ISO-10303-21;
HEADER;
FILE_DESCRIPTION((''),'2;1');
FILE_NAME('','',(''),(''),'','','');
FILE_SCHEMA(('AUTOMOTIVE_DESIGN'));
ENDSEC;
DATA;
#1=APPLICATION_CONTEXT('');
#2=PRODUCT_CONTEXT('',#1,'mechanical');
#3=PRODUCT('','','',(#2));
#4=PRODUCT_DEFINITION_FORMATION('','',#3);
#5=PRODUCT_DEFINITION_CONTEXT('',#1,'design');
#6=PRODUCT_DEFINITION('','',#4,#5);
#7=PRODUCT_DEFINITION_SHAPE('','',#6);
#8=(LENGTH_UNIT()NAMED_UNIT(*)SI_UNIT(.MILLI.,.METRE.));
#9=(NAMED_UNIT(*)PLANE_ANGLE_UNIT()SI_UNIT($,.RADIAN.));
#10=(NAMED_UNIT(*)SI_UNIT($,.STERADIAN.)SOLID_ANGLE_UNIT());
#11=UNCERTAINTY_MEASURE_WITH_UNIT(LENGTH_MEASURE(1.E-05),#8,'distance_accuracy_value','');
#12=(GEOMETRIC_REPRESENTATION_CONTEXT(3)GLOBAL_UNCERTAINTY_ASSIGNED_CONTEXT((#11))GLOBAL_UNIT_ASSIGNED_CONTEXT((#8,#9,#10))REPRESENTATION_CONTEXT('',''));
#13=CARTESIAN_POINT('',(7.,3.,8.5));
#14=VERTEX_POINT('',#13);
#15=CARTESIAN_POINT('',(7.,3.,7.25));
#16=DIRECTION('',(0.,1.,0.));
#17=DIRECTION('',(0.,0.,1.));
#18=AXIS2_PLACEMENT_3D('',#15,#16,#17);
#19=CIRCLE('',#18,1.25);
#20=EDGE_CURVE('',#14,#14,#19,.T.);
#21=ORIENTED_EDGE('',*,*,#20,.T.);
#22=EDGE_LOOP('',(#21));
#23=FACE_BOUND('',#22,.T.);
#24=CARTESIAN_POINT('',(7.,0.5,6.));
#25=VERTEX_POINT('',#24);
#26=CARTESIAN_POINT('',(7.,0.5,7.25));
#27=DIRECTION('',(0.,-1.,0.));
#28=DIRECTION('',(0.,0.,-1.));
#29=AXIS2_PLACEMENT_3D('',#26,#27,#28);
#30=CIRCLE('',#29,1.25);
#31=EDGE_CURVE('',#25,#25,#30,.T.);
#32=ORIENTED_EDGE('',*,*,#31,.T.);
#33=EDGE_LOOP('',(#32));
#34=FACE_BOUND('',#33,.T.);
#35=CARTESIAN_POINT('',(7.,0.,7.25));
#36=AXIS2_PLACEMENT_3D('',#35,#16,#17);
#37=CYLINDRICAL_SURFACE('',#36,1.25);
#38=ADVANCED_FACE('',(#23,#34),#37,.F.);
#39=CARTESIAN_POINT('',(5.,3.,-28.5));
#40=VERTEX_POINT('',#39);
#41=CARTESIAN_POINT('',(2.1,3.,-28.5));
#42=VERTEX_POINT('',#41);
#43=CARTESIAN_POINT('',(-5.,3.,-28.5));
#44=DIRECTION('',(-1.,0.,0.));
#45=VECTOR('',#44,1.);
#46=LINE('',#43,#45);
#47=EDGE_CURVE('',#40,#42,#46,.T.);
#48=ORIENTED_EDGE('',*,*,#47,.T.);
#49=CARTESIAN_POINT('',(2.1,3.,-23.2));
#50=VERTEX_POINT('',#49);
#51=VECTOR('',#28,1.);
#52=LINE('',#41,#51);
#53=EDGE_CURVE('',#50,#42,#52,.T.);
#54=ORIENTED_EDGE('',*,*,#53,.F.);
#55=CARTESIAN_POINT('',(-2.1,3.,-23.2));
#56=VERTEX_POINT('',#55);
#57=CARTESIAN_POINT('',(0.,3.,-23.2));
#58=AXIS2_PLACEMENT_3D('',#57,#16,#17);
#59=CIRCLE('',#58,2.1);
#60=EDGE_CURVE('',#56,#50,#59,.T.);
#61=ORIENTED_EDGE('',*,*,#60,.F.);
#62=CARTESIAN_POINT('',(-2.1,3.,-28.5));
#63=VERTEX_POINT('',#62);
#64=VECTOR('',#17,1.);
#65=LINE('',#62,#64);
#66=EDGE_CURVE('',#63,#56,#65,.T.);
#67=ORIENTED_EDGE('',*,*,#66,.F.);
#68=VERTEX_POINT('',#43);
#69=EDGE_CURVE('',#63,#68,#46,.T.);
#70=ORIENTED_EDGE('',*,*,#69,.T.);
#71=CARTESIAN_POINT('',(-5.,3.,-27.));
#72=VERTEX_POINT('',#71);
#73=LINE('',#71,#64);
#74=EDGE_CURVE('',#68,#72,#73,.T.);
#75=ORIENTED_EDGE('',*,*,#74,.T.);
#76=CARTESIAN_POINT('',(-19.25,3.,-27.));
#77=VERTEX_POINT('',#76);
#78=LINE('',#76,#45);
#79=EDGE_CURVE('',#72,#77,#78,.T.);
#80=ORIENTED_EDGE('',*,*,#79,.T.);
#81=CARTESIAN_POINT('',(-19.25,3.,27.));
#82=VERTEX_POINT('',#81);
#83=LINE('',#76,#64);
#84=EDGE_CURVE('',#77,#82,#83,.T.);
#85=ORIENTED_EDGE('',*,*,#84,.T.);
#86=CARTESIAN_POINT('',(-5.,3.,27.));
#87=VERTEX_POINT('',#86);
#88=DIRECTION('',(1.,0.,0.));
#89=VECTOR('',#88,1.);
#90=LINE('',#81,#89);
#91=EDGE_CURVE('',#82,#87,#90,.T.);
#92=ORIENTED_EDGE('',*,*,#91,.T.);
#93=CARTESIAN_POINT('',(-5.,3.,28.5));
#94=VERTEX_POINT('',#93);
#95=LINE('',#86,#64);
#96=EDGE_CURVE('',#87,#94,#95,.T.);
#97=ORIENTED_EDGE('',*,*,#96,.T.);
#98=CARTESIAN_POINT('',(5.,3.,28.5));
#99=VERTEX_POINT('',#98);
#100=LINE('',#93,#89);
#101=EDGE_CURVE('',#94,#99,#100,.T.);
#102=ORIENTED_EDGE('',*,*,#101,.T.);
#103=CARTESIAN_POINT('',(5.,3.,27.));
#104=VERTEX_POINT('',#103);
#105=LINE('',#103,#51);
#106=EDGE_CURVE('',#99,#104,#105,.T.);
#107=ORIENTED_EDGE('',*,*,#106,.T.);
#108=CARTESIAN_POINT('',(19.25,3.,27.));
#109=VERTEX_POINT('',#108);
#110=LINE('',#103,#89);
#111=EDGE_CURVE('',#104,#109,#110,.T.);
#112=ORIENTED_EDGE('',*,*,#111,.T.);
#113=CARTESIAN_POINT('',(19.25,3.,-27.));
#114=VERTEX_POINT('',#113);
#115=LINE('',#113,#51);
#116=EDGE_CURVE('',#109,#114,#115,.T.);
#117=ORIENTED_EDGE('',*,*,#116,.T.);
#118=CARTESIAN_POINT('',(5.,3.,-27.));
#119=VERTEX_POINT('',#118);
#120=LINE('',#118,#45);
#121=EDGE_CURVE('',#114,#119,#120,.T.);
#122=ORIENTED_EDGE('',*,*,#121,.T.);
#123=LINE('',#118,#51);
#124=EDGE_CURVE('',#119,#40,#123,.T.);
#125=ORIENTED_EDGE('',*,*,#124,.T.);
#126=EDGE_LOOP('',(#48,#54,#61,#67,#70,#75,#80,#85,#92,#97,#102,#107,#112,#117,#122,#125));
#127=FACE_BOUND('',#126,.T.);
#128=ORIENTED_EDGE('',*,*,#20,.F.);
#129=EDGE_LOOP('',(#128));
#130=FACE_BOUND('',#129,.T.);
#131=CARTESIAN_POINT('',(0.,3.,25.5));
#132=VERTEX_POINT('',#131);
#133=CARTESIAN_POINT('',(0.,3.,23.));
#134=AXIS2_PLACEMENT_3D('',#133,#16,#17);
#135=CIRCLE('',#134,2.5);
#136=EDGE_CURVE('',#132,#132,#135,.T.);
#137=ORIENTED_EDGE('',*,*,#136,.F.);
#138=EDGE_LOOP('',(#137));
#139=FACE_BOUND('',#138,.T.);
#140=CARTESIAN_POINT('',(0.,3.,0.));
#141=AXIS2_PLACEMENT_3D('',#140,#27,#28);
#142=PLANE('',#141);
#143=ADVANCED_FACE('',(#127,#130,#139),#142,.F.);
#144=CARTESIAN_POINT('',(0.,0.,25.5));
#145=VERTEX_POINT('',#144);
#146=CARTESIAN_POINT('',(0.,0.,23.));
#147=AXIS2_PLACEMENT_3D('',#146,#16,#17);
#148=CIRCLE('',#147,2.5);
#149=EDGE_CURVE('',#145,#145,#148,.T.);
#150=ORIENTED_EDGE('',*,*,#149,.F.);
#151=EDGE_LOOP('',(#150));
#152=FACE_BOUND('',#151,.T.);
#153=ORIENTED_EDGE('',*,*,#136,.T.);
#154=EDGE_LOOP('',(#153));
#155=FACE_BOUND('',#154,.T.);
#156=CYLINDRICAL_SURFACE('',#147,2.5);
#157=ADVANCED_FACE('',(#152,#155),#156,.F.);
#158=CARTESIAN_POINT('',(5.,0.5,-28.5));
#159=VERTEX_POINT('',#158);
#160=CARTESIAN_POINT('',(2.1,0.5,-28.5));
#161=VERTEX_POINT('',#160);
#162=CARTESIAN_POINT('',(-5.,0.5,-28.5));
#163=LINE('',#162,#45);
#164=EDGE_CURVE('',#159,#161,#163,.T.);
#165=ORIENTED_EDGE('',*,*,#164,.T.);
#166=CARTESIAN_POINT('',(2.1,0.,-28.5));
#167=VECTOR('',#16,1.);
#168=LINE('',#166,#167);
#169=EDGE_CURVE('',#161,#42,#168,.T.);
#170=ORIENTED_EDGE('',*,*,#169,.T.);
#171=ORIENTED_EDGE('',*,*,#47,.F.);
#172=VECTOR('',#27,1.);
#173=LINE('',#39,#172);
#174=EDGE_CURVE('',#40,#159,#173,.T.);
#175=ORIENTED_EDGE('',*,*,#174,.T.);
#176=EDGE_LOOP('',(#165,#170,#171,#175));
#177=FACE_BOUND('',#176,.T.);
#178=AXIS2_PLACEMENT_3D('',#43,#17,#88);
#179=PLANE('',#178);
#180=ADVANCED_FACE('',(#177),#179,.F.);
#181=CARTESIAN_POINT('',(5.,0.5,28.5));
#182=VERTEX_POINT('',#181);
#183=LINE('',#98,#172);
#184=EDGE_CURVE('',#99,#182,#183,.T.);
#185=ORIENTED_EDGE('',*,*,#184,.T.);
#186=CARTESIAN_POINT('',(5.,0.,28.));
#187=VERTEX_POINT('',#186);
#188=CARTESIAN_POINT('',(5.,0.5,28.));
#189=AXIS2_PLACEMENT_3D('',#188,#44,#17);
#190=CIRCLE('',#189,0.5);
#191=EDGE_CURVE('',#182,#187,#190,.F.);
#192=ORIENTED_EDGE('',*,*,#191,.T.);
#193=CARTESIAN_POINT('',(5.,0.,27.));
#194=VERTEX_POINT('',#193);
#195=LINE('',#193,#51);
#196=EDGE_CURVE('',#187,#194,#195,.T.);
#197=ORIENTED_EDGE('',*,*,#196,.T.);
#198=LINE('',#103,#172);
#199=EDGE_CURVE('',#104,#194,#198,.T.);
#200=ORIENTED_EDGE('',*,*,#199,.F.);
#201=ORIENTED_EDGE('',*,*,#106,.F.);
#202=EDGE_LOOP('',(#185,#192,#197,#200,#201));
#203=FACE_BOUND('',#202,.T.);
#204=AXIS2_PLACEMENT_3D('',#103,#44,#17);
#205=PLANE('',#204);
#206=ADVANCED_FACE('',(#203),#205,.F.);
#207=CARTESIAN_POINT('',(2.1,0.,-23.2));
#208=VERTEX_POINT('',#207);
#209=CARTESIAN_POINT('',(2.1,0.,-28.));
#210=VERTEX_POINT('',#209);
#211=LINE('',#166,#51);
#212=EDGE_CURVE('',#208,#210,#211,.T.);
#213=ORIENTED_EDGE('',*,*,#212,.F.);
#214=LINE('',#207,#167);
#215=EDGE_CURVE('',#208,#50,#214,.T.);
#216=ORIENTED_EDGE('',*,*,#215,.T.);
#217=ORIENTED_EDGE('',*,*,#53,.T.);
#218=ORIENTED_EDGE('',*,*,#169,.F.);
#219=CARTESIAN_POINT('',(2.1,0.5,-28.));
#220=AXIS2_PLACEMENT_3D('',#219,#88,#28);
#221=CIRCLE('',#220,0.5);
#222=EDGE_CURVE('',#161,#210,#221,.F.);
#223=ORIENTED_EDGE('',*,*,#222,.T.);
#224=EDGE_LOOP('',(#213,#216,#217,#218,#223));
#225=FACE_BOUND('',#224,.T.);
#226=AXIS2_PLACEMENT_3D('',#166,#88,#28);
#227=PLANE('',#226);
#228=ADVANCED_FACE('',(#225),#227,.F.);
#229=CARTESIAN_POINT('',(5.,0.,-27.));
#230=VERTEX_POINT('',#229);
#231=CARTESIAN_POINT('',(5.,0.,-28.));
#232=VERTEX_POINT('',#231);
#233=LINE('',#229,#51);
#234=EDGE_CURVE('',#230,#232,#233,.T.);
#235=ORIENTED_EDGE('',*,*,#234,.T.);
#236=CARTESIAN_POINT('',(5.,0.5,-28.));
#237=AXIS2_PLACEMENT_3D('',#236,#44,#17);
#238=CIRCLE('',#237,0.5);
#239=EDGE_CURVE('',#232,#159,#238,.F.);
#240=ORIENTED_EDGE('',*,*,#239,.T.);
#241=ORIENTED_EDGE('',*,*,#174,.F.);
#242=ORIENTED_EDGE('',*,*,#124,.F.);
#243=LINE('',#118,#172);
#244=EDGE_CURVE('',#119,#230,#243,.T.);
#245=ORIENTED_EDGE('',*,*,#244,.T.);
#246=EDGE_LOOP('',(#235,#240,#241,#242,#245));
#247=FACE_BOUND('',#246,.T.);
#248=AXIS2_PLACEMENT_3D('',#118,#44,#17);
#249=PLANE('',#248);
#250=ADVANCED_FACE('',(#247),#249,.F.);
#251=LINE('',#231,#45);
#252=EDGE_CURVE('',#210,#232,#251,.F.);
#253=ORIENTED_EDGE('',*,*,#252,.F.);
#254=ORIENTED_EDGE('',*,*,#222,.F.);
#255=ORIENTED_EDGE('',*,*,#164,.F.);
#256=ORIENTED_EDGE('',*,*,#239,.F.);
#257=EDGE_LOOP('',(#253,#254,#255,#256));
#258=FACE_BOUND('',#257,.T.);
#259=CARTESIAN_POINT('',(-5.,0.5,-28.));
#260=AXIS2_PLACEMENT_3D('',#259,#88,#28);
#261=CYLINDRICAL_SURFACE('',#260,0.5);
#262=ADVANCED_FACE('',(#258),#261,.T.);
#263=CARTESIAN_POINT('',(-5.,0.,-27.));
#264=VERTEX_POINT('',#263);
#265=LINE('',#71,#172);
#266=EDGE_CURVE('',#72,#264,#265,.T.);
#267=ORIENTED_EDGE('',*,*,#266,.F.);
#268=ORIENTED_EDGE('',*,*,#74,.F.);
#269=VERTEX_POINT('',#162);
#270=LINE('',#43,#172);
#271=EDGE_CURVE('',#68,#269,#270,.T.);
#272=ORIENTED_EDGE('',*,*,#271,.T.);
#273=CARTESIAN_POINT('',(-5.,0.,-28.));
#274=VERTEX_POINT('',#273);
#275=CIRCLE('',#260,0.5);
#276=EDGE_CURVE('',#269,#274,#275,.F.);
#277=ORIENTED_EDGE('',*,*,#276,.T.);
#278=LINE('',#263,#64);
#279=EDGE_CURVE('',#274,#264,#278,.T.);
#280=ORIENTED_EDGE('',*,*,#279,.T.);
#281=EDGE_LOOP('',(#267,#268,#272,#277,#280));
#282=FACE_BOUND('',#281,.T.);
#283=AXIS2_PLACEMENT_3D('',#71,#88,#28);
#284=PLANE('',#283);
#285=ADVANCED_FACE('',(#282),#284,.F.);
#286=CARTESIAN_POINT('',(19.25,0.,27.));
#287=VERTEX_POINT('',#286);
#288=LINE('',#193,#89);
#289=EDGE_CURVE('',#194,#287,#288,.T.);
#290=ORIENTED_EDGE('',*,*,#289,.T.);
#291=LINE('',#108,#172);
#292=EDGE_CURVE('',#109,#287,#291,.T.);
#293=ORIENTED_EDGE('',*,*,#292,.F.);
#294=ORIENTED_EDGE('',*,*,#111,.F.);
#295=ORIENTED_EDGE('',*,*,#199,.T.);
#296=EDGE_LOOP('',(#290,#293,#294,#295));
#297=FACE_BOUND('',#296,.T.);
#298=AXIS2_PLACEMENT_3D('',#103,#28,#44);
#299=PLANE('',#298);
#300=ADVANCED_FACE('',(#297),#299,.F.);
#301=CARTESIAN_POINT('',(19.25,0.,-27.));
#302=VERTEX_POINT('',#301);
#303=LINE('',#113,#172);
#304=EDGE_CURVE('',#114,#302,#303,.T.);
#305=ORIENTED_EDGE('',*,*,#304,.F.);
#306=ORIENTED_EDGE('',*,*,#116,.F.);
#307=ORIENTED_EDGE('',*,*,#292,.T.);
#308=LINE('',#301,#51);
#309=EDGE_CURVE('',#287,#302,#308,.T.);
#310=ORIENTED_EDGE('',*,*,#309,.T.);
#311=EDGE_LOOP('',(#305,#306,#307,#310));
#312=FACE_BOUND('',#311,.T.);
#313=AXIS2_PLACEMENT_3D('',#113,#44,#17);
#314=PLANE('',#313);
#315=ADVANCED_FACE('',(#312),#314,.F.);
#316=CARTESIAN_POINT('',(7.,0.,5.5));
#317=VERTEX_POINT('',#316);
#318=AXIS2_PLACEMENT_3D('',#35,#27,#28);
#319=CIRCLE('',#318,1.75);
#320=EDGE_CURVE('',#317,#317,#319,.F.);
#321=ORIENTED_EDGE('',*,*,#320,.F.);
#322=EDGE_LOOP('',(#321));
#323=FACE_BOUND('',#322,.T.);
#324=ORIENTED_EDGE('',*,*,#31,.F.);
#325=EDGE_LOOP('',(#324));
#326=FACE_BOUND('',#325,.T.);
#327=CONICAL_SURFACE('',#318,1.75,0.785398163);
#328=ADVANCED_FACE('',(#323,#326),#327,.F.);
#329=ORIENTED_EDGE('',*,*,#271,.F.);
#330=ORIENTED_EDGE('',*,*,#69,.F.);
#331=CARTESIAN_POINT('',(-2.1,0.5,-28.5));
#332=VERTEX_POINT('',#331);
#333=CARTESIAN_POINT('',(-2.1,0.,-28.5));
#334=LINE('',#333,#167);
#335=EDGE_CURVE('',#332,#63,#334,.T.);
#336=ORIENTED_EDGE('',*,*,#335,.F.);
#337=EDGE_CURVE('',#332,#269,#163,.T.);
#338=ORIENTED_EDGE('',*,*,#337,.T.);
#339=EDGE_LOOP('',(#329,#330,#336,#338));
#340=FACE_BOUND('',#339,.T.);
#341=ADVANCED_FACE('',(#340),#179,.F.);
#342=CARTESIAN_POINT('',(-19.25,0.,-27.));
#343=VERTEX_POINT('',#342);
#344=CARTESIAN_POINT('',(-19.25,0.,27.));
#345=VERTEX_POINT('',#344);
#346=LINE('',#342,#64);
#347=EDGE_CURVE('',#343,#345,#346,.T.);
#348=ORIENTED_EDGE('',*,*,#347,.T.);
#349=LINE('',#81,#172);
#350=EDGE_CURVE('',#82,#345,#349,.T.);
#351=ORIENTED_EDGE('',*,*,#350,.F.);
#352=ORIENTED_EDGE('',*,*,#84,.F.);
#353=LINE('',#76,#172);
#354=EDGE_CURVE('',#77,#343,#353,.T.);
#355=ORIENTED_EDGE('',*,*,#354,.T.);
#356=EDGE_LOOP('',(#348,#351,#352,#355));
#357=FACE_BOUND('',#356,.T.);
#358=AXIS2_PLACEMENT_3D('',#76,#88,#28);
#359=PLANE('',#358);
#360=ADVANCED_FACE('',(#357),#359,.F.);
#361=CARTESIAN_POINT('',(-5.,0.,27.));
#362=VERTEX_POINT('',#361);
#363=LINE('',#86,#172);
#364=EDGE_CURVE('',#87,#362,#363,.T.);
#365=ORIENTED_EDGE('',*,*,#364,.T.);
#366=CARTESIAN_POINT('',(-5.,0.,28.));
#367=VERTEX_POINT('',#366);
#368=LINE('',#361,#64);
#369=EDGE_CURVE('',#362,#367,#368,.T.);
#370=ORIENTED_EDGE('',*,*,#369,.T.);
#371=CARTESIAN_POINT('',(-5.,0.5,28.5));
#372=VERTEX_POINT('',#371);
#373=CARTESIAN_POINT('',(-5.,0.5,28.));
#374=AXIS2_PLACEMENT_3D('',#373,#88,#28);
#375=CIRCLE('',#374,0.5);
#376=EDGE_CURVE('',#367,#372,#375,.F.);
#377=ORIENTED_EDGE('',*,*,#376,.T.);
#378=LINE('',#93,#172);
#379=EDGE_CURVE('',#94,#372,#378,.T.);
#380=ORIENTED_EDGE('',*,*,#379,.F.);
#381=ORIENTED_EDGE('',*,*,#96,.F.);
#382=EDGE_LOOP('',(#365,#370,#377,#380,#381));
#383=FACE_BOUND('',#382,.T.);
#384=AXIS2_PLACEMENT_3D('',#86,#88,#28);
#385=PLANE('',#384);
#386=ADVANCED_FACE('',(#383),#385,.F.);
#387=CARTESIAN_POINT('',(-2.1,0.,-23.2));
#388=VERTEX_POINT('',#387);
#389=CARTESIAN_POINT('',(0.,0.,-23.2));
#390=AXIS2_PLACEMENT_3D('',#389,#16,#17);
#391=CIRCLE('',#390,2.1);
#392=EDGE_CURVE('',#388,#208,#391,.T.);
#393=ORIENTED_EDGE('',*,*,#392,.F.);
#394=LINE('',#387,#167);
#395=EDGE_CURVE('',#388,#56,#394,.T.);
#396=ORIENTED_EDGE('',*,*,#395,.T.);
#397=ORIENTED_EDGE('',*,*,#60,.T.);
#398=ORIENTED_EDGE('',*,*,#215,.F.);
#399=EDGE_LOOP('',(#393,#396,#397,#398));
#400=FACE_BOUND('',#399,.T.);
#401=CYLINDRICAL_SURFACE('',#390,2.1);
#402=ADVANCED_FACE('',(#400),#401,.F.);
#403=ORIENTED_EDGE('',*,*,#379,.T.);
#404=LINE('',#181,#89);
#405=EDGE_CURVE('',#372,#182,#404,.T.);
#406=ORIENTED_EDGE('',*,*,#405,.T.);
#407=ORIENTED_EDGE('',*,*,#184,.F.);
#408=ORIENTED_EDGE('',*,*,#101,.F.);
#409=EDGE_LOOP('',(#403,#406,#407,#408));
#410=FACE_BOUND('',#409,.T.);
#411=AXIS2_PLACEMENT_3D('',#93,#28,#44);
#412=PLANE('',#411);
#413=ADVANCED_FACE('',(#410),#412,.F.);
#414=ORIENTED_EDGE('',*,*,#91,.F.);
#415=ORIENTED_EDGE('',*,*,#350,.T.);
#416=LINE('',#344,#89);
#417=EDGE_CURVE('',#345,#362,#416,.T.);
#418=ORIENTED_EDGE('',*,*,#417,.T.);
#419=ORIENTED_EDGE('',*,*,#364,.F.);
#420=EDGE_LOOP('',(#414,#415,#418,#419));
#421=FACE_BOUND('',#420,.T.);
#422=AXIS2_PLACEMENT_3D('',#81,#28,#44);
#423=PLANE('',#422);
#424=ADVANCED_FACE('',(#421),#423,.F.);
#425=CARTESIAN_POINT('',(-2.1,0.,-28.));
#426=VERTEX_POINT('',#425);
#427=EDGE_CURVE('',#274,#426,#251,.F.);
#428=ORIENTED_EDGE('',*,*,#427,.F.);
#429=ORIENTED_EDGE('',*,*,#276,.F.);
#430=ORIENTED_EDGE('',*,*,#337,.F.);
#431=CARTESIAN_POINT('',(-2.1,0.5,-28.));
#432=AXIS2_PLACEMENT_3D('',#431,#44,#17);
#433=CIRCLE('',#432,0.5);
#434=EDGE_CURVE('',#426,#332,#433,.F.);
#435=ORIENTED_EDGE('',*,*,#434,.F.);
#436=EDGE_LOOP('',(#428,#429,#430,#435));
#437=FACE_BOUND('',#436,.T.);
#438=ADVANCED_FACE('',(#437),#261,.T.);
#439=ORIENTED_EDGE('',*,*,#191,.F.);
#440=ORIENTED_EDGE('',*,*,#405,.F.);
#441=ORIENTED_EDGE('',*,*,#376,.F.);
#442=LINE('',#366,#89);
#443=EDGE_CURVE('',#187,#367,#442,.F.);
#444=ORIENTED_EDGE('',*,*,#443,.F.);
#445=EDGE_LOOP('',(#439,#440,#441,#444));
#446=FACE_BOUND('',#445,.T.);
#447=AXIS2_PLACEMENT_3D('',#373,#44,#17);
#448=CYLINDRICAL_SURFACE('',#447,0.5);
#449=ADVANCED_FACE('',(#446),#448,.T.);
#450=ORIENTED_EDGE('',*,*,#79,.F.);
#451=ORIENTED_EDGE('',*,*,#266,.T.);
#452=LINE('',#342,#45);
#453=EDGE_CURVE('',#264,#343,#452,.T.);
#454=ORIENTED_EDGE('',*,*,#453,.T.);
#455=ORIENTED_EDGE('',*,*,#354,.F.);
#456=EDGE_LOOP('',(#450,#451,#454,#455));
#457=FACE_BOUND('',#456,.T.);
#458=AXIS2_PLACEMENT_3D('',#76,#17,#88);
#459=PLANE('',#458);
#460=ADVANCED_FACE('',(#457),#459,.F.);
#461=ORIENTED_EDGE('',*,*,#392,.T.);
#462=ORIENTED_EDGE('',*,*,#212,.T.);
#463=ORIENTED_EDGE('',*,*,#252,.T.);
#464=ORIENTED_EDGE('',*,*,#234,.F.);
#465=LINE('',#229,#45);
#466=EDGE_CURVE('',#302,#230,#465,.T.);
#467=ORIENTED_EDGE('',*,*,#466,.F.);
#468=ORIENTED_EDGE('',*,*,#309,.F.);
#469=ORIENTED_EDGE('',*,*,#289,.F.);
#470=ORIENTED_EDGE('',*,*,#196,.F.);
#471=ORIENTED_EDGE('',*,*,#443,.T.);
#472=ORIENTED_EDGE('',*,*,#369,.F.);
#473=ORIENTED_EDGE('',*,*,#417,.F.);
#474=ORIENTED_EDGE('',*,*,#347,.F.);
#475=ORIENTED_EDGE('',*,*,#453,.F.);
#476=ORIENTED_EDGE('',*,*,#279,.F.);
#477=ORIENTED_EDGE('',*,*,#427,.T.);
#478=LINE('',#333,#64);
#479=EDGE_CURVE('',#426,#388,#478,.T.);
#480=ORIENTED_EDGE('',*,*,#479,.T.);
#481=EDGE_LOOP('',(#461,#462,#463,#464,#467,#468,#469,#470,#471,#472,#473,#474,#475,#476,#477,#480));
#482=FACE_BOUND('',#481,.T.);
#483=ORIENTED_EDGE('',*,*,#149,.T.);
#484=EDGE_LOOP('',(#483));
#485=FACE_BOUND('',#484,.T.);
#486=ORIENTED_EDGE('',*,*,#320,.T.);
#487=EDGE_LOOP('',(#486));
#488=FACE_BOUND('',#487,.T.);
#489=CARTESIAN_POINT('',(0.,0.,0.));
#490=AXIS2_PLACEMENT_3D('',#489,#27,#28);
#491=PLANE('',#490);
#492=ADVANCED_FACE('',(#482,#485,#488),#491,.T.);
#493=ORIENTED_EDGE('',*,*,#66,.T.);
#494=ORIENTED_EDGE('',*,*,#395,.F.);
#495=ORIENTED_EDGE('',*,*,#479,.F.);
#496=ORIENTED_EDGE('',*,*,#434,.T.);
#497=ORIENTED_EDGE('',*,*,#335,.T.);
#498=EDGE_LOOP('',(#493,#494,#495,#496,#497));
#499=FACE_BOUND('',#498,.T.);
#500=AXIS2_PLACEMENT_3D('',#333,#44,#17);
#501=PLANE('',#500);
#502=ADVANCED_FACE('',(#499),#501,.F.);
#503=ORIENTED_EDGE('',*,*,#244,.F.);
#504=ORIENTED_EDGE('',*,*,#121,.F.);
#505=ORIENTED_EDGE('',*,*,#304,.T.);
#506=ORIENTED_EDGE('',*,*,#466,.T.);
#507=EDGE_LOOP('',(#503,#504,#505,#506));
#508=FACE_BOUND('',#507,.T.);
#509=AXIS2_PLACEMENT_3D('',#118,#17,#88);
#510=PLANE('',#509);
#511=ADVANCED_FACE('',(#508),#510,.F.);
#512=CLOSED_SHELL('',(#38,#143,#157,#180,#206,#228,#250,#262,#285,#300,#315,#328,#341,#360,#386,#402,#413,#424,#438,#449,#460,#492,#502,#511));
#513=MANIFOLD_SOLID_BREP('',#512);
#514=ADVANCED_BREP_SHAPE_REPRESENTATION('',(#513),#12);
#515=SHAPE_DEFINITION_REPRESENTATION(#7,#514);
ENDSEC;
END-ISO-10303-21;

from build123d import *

# Parameters (mm, degrees)
BOSS_EXTRUDE1_DEPTH = 3
FILLET1_R           = 0.5
SKETCH2_R           = 2.5
CUT_EXTRUDE1_DEPTH  = 4
CUT_EXTRUDE2_DEPTH  = 4
SKETCH4_R           = 1.25
CUT_EXTRUDE3_DEPTH  = 4
CHAMFER1_SIZE       = 0.5


with BuildPart() as part:
    # Sketch1 → Boss-Extrude1 (new body)
    with BuildSketch(Plane(origin=(0, 0, 0), x_dir=(1, 0, 0), z_dir=(0, 1, 0))):
        Polygon((-19.25, 27), (-19.25, -27), (-5, -27), (-5, -28.5), (5, -28.5), (5, -27), (19.25, -27), (19.25, 27), (5, 27), (5, 28.5), (-5, 28.5), (-5, 27), align=None)
    extrude(amount=BOSS_EXTRUDE1_DEPTH)

    # Fillet1
    fillet1_edges = [part.edges().sort_by_distance(p)[0] for p in [
        (0, 0, 28.5),
        (0, 0, -28.5),
    ]]
    fillet(fillet1_edges, radius=FILLET1_R)

    # Sketch2 → Cut-Extrude1 (cut, through all)
    with BuildSketch(Plane(origin=(0, 3, 0), x_dir=(1, 0, 0), z_dir=(0, 1, 0))):
        with Locations((0, -23)):
            Circle(SKETCH2_R)
    extrude(amount=-CUT_EXTRUDE1_DEPTH, mode=Mode.SUBTRACT)

    # Sketch3 → Cut-Extrude2 (cut, through all)
    with BuildSketch(Plane(origin=(0, 3, 0), x_dir=(1, 0, 0), z_dir=(0, 1, 0))):
        with BuildLine():
            Line((-2.1, 28.5), (2.1, 28.5))
            Line((2.1, 28.5), (2.1, 23.2))
            ThreePointArc((2.1, 23.2), (0, 21.1), (-2.1, 23.2))
            Line((-2.1, 23.2), (-2.1, 28.5))
        make_face()
    extrude(amount=-CUT_EXTRUDE2_DEPTH, mode=Mode.SUBTRACT)

    # Sketch4 → Cut-Extrude3 (cut, through all)
    with BuildSketch(Plane(origin=(0, 3, 0), x_dir=(1, 0, 0), z_dir=(0, 1, 0))):
        with Locations((7, -7.25)):
            Circle(SKETCH4_R)
    extrude(amount=-CUT_EXTRUDE3_DEPTH, mode=Mode.SUBTRACT)

    # Chamfer1
    chamfer1_edges = [part.edges().sort_by_distance(p)[0] for p in [
        (5.75, 0, 7.25),
    ]]
    chamfer(chamfer1_edges, length=CHAMFER1_SIZE)


solid = part.part
